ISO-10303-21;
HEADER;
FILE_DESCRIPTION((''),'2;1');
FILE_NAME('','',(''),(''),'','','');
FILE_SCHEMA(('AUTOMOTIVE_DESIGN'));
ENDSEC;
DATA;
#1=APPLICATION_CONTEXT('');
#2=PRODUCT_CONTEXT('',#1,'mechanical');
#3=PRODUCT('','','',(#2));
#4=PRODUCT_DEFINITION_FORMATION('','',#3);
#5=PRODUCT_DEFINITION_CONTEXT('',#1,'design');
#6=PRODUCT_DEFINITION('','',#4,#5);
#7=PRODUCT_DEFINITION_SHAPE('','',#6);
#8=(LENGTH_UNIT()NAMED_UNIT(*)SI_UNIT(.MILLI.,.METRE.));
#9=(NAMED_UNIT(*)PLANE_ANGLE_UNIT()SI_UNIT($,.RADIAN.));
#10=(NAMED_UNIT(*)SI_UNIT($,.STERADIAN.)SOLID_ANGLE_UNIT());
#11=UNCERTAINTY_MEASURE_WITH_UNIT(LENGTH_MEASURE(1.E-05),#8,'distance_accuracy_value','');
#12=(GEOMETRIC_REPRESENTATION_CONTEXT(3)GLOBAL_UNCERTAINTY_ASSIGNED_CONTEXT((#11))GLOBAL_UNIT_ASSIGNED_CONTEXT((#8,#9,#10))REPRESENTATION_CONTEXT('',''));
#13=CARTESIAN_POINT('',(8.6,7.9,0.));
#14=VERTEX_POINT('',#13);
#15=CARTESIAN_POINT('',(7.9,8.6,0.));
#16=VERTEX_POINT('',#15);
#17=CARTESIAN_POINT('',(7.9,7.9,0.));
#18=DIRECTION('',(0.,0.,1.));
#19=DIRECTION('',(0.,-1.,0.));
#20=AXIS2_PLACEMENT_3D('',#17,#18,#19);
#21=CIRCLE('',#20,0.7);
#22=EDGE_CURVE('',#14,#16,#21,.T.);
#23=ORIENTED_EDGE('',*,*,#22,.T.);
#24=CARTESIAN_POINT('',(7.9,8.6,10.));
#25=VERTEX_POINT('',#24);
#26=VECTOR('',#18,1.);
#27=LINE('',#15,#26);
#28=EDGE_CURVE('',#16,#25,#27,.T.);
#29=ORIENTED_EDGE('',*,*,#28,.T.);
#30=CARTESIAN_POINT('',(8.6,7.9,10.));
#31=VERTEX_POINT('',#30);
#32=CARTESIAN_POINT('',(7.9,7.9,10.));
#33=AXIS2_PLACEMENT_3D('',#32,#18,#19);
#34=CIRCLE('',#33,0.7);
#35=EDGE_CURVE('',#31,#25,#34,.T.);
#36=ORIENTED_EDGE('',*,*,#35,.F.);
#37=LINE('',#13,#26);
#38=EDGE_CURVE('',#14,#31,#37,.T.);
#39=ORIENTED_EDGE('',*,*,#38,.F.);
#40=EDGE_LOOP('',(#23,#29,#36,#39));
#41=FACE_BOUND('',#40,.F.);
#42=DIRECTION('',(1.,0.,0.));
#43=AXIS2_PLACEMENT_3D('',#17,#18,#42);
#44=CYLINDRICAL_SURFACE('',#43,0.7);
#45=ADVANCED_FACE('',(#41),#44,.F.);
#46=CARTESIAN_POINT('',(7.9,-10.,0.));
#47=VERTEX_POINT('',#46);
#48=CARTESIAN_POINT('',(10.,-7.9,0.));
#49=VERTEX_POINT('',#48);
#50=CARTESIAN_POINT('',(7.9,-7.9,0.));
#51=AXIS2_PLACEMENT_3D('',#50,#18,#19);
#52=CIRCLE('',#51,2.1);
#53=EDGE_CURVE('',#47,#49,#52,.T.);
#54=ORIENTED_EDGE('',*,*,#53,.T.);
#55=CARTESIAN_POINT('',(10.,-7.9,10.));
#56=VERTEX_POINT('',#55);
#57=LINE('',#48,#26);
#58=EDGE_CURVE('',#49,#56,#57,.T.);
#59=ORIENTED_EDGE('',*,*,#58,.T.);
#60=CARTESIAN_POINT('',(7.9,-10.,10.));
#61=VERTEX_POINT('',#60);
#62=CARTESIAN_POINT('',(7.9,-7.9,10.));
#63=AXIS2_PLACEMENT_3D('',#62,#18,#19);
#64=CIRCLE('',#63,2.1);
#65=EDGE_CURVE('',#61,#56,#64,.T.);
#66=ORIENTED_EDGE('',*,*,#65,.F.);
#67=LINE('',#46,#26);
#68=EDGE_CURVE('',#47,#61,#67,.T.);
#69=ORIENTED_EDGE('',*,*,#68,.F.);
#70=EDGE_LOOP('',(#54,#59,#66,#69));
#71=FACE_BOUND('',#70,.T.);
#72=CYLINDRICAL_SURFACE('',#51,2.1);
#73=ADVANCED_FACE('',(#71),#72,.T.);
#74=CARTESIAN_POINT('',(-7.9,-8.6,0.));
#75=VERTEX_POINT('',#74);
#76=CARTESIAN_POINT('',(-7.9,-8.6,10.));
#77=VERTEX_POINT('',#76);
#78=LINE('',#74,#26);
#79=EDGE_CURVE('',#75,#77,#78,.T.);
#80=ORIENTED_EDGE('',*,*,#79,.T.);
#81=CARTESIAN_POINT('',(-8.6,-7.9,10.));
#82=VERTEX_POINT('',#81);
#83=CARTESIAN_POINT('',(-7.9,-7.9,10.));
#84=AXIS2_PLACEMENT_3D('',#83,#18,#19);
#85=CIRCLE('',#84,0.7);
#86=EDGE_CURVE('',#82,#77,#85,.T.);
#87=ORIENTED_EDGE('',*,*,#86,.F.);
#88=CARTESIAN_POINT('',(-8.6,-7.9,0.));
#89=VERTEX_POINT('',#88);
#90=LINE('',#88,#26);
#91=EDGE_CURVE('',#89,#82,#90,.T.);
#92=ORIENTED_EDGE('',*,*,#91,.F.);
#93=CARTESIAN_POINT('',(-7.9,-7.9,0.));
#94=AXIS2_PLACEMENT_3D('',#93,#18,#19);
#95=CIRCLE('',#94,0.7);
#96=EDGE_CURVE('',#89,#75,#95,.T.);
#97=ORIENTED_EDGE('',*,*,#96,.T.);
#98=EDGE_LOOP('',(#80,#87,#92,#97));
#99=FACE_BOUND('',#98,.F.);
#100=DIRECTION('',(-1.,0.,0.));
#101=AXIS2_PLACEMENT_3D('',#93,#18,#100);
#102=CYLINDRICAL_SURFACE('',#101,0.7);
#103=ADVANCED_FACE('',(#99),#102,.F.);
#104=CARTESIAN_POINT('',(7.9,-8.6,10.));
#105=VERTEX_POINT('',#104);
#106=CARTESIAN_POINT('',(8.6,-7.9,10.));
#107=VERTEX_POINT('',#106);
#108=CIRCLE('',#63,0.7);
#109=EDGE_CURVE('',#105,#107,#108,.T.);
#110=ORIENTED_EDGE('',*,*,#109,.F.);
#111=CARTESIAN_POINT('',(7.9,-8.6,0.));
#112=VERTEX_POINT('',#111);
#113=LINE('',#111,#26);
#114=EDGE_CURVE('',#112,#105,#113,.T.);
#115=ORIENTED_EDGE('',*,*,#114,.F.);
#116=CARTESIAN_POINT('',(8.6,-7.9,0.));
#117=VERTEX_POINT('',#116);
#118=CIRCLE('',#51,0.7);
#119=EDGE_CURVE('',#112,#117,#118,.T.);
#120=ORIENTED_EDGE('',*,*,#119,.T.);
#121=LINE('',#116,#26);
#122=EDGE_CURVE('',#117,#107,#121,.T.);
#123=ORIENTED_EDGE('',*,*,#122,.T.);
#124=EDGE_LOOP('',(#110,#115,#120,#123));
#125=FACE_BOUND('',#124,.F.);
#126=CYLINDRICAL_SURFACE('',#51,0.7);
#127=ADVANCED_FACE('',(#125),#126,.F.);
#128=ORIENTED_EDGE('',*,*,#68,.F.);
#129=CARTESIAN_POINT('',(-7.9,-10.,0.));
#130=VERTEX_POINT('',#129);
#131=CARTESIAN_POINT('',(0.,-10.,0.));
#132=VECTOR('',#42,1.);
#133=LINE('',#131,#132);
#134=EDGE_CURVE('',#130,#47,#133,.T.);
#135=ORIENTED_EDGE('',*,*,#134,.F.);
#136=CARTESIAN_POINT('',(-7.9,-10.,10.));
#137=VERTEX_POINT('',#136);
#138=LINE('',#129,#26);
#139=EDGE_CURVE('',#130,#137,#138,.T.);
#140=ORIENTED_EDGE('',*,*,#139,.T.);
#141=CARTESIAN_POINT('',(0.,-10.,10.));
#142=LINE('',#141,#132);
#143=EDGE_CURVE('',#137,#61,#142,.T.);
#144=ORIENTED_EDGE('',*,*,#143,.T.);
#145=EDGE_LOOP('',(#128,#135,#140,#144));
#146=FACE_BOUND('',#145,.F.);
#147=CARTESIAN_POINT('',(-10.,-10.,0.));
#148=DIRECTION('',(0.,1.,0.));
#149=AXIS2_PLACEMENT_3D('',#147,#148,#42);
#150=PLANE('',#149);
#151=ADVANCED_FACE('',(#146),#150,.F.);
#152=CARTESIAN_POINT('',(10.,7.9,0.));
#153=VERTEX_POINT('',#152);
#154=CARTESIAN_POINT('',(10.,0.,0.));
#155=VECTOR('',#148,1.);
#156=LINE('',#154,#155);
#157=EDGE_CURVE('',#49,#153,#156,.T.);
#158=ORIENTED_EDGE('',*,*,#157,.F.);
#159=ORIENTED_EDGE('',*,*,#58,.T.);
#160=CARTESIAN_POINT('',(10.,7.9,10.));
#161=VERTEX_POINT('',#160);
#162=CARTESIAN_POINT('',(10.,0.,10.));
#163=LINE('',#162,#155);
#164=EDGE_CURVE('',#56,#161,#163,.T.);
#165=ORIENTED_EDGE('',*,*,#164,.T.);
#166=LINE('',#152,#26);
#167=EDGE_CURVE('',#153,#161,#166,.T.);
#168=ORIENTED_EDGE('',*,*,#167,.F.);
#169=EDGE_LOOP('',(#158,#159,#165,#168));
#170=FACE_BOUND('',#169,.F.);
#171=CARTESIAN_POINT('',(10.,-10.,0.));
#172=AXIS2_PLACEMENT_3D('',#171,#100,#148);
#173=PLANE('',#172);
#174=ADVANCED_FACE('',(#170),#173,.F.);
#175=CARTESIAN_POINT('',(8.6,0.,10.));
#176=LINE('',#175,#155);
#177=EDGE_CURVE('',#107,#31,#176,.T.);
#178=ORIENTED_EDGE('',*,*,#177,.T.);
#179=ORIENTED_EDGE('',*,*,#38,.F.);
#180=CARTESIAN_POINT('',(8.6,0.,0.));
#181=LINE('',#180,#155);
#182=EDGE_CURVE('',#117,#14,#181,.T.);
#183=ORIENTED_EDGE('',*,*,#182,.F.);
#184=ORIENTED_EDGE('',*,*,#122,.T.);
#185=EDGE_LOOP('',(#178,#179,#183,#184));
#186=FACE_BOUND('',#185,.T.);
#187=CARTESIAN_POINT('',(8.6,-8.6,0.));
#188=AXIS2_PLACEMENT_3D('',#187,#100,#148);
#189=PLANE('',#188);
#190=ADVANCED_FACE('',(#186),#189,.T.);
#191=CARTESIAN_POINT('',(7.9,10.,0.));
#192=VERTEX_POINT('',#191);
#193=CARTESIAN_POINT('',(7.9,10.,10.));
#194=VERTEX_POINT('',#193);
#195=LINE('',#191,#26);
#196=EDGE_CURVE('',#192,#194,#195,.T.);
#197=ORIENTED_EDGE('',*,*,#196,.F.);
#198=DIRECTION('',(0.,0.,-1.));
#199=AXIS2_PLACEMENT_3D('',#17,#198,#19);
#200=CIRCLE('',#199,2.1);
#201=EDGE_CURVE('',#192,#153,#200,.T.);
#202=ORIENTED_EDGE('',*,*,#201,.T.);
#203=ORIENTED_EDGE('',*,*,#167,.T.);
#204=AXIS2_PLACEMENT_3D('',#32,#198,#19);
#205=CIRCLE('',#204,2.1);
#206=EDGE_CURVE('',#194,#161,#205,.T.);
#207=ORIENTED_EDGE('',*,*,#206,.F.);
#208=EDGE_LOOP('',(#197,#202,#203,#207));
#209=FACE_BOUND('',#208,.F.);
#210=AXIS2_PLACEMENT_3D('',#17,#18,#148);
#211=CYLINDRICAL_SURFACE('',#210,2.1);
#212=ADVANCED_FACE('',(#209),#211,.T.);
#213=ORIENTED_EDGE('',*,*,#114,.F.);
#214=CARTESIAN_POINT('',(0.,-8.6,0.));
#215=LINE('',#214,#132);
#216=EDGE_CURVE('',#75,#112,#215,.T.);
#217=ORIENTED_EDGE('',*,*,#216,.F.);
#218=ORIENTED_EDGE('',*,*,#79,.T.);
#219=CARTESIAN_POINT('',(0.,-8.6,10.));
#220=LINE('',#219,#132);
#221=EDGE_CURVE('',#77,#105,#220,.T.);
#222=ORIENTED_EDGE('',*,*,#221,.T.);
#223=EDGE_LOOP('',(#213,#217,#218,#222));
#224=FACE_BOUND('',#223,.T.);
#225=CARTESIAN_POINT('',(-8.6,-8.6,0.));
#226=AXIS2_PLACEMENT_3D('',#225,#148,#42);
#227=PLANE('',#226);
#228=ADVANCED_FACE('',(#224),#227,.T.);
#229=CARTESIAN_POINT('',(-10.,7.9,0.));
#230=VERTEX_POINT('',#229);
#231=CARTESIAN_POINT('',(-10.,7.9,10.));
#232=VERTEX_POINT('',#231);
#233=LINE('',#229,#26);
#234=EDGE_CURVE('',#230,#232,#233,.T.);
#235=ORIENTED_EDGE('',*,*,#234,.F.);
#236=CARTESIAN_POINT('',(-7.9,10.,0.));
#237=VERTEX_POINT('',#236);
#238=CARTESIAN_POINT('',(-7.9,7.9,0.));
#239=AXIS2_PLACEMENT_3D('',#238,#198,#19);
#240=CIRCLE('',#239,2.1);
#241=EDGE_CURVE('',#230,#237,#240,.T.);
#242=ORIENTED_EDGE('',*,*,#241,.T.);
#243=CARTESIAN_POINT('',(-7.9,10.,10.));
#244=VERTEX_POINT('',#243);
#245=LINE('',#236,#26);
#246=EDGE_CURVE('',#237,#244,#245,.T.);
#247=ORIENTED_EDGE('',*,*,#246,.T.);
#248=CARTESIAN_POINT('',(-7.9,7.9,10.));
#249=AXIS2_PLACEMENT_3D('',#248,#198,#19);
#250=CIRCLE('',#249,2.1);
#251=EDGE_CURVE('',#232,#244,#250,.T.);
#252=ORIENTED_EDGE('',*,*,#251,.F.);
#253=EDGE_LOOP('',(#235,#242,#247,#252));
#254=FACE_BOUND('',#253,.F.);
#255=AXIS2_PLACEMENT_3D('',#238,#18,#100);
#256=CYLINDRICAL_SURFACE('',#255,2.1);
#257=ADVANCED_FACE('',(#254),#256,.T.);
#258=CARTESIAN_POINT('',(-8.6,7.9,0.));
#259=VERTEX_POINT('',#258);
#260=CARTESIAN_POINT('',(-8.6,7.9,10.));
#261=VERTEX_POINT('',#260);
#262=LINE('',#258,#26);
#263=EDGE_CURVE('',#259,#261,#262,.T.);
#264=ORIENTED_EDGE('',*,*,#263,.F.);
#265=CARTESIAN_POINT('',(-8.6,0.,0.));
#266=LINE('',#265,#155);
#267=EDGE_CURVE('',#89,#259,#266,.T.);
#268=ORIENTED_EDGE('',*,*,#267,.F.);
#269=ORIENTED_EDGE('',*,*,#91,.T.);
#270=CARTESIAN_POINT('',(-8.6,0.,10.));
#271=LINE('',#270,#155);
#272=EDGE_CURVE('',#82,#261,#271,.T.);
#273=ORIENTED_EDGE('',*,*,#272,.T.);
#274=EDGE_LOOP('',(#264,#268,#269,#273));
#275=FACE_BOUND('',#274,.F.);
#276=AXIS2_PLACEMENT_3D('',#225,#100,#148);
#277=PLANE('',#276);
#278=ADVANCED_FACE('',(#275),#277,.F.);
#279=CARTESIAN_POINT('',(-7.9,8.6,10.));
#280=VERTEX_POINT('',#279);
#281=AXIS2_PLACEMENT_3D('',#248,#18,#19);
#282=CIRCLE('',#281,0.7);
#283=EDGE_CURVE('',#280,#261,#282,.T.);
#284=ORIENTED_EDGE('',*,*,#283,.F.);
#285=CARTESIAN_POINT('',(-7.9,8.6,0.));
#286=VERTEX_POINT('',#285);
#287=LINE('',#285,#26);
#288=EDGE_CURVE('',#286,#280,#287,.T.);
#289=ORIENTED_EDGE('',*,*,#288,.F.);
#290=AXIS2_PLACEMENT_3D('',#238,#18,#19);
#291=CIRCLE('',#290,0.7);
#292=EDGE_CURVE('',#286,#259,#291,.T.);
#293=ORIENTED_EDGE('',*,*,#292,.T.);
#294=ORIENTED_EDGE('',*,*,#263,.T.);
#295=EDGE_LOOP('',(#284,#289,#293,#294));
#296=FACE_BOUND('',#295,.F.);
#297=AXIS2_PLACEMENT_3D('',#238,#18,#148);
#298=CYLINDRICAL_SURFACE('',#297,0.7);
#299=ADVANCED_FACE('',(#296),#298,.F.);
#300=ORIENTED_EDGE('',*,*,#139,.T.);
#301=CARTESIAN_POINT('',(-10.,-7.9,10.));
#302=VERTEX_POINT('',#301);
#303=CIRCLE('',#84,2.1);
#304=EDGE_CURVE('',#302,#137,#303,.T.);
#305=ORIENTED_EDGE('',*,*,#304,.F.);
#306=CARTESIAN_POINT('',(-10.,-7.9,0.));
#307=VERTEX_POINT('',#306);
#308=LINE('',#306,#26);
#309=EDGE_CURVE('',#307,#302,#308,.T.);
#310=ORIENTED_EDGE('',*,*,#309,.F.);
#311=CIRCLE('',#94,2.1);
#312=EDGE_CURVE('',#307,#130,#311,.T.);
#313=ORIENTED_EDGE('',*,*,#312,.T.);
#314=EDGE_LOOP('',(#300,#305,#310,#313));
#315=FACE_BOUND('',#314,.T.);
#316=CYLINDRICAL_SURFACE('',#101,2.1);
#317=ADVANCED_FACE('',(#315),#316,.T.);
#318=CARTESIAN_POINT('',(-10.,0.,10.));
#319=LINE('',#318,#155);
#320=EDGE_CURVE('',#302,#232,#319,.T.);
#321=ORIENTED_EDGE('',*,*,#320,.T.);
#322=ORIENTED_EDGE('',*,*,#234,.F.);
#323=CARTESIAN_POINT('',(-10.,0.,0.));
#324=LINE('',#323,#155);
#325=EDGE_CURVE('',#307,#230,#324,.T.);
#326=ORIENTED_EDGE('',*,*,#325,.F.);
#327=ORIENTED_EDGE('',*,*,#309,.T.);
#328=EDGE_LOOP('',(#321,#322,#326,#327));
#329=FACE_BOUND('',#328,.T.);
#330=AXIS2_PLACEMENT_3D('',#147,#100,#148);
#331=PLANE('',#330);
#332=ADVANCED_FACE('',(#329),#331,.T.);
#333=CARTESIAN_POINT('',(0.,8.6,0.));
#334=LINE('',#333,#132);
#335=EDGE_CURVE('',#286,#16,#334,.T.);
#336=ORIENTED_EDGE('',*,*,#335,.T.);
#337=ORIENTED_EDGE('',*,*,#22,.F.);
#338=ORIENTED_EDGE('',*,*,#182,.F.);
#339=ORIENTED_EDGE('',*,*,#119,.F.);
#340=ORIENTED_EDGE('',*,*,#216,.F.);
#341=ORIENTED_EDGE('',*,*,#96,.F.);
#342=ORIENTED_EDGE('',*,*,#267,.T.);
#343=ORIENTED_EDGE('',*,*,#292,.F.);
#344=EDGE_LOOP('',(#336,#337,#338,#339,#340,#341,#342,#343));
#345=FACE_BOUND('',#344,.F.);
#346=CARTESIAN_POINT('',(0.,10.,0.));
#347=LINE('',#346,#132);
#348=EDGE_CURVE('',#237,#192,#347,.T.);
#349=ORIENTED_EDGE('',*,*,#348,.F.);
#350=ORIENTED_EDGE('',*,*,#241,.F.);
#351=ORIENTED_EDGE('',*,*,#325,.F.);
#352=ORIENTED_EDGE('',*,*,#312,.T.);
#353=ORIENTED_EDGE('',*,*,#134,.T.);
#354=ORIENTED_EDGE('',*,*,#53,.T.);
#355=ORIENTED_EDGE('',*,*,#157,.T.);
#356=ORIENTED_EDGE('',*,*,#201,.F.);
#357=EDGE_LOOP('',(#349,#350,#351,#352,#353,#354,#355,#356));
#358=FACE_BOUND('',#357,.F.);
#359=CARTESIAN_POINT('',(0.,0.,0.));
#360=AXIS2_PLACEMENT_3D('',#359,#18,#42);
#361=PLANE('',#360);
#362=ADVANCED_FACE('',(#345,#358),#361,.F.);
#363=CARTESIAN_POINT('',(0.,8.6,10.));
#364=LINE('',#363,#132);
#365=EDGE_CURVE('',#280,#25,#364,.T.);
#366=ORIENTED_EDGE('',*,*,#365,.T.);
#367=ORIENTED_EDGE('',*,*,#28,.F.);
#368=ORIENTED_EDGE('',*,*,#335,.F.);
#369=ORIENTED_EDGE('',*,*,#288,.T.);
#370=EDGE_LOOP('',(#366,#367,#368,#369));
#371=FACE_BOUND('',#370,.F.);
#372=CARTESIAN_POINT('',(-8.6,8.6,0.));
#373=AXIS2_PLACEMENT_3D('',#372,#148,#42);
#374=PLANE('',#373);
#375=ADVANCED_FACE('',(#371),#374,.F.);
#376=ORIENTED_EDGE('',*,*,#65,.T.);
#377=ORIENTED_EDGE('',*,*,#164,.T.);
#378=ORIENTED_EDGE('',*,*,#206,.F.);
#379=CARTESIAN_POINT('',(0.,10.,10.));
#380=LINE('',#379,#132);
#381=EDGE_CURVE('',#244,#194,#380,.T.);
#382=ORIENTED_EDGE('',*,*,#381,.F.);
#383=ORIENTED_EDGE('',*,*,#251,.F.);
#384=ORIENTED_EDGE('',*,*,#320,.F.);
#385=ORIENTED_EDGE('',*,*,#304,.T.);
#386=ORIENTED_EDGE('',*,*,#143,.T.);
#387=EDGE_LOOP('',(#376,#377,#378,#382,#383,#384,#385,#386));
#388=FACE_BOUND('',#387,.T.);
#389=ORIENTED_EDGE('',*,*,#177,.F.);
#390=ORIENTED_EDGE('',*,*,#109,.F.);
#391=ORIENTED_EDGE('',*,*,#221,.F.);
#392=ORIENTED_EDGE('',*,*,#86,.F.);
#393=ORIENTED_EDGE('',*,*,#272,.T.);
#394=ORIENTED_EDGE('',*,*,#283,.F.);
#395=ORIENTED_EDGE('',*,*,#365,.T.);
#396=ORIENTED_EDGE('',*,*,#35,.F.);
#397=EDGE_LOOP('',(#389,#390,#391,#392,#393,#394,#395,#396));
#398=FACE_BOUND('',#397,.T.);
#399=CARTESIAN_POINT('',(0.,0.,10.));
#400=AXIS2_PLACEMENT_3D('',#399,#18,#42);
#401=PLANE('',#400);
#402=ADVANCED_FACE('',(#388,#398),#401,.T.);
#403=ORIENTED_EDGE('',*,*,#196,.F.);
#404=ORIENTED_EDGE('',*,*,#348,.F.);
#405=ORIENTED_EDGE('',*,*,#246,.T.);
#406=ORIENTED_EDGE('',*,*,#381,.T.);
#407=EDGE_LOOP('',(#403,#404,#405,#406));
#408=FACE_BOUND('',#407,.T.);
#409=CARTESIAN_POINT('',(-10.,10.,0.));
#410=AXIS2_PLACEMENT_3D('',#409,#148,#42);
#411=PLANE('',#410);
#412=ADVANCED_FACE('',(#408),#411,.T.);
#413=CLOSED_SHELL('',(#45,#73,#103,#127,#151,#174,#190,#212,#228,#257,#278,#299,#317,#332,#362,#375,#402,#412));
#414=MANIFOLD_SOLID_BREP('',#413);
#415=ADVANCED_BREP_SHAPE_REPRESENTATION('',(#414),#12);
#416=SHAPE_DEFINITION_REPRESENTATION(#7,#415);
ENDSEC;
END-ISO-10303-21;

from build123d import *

# Parameters (mm, degrees)
F0_W     = 20
F0_H     = 20
F0_W_2   = 17.2
F0_H_2   = 17.2
F1_DEPTH = 10
F2_R     = 2.1
F3_R     = 2.1
F4_R     = 0.7
F5_R     = 0.7
F6_R     = 0.7
F7_R     = 0.7


with BuildPart() as f1:
    # F0 (on Top) → F1 (new body)
    with BuildSketch(Plane.XY):
        Rectangle(F0_W, F0_H)
        Rectangle(F0_W_2, F0_H_2, mode=Mode.SUBTRACT)
    extrude(amount=F1_DEPTH)

    # F2
    f2_edges = [f1.edges().sort_by_distance(p)[0] for p in [
        (-10, -10, 5),
        (10, -10, 5),
        (10, 10, 5),
    ]]
    fillet(f2_edges, radius=F2_R)

    # F3
    f3_edges = [f1.edges().sort_by_distance(p)[0] for p in [
        (-10, 10, 5),
    ]]
    fillet(f3_edges, radius=F3_R)

    # F4
    f4_edges = [f1.edges().sort_by_distance(p)[0] for p in [
        (-8.6, 8.6, 5),
    ]]
    fillet(f4_edges, radius=F4_R)

    # F5
    f5_edges = [f1.edges().sort_by_distance(p)[0] for p in [
        (-8.6, -8.6, 5),
    ]]
    fillet(f5_edges, radius=F5_R)

    # F6
    f6_edges = [f1.edges().sort_by_distance(p)[0] for p in [
        (8.6, -8.6, 5),
    ]]
    fillet(f6_edges, radius=F6_R)

    # F7
    f7_edges = [f1.edges().sort_by_distance(p)[0] for p in [
        (8.6, 8.6, 5),
    ]]
    fillet(f7_edges, radius=F7_R)


solid = f1.part
